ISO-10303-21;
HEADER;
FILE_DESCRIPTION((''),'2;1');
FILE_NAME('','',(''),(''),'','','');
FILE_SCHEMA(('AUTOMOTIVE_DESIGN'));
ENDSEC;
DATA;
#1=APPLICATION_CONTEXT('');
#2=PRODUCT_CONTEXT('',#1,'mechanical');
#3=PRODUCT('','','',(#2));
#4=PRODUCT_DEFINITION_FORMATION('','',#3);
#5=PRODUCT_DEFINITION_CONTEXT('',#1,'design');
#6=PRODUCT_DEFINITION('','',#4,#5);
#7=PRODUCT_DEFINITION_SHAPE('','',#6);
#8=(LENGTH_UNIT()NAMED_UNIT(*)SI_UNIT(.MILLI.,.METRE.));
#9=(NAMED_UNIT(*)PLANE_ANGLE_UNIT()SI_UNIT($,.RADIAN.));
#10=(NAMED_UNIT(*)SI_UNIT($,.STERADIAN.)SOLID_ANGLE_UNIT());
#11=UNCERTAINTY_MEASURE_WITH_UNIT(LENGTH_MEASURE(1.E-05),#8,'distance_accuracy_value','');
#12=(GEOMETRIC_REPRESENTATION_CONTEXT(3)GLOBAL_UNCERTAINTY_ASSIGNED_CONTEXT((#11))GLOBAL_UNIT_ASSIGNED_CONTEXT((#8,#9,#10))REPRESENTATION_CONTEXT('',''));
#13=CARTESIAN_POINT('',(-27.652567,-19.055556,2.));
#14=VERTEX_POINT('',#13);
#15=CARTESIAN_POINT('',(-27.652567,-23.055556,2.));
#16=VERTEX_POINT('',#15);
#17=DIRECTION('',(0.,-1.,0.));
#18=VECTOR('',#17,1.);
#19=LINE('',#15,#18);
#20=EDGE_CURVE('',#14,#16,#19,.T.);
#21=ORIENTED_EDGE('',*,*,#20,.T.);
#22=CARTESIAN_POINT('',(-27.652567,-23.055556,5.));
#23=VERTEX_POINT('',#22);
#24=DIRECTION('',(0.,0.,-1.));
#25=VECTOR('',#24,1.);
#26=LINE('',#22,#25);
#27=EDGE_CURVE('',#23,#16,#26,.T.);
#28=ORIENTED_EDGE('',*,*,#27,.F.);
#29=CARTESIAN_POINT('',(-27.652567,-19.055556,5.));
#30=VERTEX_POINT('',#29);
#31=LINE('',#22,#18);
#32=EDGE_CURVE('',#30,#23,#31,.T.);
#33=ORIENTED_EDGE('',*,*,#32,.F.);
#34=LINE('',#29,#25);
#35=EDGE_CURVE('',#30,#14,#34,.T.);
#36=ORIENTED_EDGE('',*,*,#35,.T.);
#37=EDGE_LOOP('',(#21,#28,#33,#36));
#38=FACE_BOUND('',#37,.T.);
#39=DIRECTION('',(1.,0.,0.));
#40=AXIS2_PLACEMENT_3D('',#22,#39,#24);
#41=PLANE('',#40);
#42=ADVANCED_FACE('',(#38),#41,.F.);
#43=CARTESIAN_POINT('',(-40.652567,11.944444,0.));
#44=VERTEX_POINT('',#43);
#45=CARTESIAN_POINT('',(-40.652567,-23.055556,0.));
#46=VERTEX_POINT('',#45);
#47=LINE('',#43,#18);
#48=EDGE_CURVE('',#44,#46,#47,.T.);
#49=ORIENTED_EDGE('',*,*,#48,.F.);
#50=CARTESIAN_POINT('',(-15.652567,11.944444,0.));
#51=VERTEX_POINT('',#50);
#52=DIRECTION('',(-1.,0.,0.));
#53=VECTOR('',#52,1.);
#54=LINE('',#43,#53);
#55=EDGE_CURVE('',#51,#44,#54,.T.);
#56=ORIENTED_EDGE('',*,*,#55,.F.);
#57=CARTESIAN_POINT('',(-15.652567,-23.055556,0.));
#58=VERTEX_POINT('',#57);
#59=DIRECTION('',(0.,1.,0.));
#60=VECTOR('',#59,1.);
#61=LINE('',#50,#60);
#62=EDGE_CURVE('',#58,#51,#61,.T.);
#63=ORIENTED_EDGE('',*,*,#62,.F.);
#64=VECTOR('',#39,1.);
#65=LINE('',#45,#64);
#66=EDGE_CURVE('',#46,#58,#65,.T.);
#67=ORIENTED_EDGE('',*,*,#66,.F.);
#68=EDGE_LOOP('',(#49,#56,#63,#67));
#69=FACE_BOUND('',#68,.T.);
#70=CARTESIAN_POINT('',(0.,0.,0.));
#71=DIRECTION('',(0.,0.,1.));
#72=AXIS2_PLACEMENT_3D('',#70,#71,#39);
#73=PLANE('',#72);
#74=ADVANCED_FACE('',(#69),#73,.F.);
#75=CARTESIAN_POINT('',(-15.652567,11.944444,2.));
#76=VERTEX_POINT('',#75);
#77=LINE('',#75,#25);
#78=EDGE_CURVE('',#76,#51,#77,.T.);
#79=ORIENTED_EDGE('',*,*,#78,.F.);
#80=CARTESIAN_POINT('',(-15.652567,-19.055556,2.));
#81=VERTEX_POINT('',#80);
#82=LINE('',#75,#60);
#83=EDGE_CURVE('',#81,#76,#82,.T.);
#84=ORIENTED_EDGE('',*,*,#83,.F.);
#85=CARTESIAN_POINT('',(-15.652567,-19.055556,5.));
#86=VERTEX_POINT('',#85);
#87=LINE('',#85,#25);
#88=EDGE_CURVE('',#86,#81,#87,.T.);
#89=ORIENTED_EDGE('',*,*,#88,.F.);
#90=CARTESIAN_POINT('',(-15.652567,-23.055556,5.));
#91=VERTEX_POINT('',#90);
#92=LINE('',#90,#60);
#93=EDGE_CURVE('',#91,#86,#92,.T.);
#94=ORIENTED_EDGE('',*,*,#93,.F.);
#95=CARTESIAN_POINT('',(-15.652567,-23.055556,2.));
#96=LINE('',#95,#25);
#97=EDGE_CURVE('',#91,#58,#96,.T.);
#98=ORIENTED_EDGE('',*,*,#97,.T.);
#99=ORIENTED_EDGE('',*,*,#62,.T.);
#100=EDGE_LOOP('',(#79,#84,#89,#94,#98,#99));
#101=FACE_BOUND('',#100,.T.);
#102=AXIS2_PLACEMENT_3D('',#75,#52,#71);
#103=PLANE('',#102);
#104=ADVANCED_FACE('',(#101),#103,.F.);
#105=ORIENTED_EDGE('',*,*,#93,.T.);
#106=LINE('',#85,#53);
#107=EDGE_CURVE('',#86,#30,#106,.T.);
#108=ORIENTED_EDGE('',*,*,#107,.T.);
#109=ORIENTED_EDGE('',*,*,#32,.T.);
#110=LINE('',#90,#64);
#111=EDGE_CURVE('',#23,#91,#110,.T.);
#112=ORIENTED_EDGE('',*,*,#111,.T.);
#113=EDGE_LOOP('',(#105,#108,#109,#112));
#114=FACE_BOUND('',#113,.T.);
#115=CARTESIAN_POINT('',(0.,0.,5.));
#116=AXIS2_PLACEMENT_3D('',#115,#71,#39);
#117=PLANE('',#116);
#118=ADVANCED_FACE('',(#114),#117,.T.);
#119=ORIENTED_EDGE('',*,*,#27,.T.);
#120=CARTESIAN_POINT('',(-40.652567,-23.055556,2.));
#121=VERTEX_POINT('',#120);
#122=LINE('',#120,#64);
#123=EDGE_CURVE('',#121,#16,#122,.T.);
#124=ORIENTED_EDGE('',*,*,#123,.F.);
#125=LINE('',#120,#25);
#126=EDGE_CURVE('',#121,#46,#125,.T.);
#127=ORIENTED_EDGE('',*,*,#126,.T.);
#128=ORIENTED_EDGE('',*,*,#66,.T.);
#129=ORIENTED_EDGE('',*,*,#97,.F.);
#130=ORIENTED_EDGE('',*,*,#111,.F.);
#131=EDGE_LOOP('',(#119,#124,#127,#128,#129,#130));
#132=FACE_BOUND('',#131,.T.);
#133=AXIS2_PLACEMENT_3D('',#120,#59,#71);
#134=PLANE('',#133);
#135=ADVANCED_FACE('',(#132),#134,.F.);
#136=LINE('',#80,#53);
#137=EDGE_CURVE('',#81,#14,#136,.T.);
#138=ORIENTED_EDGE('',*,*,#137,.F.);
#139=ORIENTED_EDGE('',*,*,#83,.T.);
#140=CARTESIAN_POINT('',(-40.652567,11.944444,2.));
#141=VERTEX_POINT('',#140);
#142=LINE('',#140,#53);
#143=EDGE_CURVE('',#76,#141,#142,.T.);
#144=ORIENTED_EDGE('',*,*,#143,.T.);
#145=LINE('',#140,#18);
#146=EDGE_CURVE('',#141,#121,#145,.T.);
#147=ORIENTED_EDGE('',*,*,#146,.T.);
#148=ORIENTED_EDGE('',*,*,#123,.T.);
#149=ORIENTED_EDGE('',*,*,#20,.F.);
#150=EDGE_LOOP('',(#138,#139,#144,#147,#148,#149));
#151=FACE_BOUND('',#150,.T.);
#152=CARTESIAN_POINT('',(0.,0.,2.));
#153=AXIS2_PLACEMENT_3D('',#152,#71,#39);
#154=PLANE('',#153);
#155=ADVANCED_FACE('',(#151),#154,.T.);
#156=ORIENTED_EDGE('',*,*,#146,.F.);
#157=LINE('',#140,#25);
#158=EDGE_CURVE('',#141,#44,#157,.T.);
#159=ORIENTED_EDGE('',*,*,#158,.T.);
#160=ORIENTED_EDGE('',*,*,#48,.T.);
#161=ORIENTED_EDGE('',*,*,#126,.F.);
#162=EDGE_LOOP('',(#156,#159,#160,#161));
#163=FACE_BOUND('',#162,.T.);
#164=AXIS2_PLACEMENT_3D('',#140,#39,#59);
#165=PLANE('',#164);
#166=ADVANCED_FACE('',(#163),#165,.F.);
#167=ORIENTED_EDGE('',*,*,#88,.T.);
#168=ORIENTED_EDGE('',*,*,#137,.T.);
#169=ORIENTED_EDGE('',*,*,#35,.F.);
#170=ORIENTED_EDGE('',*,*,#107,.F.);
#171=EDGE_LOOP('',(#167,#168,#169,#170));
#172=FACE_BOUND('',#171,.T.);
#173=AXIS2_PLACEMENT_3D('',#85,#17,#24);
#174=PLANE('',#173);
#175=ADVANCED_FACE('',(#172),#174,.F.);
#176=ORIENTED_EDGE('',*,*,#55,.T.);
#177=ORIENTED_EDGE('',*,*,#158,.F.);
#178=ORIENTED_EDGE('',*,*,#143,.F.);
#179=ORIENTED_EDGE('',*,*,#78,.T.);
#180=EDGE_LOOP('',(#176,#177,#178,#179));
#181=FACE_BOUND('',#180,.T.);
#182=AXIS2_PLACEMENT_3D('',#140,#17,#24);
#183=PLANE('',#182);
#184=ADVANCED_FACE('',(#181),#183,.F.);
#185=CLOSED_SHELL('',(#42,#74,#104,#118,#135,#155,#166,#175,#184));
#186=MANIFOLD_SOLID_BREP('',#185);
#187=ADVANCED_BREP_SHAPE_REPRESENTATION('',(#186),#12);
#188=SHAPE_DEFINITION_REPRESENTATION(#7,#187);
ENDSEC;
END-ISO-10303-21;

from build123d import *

# Parameters (mm, degrees)
CROQUIS1_W              = 25
CROQUIS1_H              = 35
SALIENTE_EXTRUIR1_DEPTH = 2
CROQUIS2_W              = 12
CROQUIS2_H              = 4
SALIENTE_EXTRUIR2_DEPTH = 3


with BuildPart() as part:
    # Croquis1 → Saliente-Extruir1 (new body)
    with BuildSketch(Plane.XY):
        with Locations((-28.152566884, -5.555555556)):
            Rectangle(CROQUIS1_W, CROQUIS1_H)
    extrude(amount=SALIENTE_EXTRUIR1_DEPTH)

    # Croquis2 → Saliente-Extruir2 (add)
    with BuildSketch(Plane.XY.offset(2)):
        with Locations((-21.652566884, -21.055555556)):
            Rectangle(CROQUIS2_W, CROQUIS2_H)
    extrude(amount=SALIENTE_EXTRUIR2_DEPTH)


solid = part.part
